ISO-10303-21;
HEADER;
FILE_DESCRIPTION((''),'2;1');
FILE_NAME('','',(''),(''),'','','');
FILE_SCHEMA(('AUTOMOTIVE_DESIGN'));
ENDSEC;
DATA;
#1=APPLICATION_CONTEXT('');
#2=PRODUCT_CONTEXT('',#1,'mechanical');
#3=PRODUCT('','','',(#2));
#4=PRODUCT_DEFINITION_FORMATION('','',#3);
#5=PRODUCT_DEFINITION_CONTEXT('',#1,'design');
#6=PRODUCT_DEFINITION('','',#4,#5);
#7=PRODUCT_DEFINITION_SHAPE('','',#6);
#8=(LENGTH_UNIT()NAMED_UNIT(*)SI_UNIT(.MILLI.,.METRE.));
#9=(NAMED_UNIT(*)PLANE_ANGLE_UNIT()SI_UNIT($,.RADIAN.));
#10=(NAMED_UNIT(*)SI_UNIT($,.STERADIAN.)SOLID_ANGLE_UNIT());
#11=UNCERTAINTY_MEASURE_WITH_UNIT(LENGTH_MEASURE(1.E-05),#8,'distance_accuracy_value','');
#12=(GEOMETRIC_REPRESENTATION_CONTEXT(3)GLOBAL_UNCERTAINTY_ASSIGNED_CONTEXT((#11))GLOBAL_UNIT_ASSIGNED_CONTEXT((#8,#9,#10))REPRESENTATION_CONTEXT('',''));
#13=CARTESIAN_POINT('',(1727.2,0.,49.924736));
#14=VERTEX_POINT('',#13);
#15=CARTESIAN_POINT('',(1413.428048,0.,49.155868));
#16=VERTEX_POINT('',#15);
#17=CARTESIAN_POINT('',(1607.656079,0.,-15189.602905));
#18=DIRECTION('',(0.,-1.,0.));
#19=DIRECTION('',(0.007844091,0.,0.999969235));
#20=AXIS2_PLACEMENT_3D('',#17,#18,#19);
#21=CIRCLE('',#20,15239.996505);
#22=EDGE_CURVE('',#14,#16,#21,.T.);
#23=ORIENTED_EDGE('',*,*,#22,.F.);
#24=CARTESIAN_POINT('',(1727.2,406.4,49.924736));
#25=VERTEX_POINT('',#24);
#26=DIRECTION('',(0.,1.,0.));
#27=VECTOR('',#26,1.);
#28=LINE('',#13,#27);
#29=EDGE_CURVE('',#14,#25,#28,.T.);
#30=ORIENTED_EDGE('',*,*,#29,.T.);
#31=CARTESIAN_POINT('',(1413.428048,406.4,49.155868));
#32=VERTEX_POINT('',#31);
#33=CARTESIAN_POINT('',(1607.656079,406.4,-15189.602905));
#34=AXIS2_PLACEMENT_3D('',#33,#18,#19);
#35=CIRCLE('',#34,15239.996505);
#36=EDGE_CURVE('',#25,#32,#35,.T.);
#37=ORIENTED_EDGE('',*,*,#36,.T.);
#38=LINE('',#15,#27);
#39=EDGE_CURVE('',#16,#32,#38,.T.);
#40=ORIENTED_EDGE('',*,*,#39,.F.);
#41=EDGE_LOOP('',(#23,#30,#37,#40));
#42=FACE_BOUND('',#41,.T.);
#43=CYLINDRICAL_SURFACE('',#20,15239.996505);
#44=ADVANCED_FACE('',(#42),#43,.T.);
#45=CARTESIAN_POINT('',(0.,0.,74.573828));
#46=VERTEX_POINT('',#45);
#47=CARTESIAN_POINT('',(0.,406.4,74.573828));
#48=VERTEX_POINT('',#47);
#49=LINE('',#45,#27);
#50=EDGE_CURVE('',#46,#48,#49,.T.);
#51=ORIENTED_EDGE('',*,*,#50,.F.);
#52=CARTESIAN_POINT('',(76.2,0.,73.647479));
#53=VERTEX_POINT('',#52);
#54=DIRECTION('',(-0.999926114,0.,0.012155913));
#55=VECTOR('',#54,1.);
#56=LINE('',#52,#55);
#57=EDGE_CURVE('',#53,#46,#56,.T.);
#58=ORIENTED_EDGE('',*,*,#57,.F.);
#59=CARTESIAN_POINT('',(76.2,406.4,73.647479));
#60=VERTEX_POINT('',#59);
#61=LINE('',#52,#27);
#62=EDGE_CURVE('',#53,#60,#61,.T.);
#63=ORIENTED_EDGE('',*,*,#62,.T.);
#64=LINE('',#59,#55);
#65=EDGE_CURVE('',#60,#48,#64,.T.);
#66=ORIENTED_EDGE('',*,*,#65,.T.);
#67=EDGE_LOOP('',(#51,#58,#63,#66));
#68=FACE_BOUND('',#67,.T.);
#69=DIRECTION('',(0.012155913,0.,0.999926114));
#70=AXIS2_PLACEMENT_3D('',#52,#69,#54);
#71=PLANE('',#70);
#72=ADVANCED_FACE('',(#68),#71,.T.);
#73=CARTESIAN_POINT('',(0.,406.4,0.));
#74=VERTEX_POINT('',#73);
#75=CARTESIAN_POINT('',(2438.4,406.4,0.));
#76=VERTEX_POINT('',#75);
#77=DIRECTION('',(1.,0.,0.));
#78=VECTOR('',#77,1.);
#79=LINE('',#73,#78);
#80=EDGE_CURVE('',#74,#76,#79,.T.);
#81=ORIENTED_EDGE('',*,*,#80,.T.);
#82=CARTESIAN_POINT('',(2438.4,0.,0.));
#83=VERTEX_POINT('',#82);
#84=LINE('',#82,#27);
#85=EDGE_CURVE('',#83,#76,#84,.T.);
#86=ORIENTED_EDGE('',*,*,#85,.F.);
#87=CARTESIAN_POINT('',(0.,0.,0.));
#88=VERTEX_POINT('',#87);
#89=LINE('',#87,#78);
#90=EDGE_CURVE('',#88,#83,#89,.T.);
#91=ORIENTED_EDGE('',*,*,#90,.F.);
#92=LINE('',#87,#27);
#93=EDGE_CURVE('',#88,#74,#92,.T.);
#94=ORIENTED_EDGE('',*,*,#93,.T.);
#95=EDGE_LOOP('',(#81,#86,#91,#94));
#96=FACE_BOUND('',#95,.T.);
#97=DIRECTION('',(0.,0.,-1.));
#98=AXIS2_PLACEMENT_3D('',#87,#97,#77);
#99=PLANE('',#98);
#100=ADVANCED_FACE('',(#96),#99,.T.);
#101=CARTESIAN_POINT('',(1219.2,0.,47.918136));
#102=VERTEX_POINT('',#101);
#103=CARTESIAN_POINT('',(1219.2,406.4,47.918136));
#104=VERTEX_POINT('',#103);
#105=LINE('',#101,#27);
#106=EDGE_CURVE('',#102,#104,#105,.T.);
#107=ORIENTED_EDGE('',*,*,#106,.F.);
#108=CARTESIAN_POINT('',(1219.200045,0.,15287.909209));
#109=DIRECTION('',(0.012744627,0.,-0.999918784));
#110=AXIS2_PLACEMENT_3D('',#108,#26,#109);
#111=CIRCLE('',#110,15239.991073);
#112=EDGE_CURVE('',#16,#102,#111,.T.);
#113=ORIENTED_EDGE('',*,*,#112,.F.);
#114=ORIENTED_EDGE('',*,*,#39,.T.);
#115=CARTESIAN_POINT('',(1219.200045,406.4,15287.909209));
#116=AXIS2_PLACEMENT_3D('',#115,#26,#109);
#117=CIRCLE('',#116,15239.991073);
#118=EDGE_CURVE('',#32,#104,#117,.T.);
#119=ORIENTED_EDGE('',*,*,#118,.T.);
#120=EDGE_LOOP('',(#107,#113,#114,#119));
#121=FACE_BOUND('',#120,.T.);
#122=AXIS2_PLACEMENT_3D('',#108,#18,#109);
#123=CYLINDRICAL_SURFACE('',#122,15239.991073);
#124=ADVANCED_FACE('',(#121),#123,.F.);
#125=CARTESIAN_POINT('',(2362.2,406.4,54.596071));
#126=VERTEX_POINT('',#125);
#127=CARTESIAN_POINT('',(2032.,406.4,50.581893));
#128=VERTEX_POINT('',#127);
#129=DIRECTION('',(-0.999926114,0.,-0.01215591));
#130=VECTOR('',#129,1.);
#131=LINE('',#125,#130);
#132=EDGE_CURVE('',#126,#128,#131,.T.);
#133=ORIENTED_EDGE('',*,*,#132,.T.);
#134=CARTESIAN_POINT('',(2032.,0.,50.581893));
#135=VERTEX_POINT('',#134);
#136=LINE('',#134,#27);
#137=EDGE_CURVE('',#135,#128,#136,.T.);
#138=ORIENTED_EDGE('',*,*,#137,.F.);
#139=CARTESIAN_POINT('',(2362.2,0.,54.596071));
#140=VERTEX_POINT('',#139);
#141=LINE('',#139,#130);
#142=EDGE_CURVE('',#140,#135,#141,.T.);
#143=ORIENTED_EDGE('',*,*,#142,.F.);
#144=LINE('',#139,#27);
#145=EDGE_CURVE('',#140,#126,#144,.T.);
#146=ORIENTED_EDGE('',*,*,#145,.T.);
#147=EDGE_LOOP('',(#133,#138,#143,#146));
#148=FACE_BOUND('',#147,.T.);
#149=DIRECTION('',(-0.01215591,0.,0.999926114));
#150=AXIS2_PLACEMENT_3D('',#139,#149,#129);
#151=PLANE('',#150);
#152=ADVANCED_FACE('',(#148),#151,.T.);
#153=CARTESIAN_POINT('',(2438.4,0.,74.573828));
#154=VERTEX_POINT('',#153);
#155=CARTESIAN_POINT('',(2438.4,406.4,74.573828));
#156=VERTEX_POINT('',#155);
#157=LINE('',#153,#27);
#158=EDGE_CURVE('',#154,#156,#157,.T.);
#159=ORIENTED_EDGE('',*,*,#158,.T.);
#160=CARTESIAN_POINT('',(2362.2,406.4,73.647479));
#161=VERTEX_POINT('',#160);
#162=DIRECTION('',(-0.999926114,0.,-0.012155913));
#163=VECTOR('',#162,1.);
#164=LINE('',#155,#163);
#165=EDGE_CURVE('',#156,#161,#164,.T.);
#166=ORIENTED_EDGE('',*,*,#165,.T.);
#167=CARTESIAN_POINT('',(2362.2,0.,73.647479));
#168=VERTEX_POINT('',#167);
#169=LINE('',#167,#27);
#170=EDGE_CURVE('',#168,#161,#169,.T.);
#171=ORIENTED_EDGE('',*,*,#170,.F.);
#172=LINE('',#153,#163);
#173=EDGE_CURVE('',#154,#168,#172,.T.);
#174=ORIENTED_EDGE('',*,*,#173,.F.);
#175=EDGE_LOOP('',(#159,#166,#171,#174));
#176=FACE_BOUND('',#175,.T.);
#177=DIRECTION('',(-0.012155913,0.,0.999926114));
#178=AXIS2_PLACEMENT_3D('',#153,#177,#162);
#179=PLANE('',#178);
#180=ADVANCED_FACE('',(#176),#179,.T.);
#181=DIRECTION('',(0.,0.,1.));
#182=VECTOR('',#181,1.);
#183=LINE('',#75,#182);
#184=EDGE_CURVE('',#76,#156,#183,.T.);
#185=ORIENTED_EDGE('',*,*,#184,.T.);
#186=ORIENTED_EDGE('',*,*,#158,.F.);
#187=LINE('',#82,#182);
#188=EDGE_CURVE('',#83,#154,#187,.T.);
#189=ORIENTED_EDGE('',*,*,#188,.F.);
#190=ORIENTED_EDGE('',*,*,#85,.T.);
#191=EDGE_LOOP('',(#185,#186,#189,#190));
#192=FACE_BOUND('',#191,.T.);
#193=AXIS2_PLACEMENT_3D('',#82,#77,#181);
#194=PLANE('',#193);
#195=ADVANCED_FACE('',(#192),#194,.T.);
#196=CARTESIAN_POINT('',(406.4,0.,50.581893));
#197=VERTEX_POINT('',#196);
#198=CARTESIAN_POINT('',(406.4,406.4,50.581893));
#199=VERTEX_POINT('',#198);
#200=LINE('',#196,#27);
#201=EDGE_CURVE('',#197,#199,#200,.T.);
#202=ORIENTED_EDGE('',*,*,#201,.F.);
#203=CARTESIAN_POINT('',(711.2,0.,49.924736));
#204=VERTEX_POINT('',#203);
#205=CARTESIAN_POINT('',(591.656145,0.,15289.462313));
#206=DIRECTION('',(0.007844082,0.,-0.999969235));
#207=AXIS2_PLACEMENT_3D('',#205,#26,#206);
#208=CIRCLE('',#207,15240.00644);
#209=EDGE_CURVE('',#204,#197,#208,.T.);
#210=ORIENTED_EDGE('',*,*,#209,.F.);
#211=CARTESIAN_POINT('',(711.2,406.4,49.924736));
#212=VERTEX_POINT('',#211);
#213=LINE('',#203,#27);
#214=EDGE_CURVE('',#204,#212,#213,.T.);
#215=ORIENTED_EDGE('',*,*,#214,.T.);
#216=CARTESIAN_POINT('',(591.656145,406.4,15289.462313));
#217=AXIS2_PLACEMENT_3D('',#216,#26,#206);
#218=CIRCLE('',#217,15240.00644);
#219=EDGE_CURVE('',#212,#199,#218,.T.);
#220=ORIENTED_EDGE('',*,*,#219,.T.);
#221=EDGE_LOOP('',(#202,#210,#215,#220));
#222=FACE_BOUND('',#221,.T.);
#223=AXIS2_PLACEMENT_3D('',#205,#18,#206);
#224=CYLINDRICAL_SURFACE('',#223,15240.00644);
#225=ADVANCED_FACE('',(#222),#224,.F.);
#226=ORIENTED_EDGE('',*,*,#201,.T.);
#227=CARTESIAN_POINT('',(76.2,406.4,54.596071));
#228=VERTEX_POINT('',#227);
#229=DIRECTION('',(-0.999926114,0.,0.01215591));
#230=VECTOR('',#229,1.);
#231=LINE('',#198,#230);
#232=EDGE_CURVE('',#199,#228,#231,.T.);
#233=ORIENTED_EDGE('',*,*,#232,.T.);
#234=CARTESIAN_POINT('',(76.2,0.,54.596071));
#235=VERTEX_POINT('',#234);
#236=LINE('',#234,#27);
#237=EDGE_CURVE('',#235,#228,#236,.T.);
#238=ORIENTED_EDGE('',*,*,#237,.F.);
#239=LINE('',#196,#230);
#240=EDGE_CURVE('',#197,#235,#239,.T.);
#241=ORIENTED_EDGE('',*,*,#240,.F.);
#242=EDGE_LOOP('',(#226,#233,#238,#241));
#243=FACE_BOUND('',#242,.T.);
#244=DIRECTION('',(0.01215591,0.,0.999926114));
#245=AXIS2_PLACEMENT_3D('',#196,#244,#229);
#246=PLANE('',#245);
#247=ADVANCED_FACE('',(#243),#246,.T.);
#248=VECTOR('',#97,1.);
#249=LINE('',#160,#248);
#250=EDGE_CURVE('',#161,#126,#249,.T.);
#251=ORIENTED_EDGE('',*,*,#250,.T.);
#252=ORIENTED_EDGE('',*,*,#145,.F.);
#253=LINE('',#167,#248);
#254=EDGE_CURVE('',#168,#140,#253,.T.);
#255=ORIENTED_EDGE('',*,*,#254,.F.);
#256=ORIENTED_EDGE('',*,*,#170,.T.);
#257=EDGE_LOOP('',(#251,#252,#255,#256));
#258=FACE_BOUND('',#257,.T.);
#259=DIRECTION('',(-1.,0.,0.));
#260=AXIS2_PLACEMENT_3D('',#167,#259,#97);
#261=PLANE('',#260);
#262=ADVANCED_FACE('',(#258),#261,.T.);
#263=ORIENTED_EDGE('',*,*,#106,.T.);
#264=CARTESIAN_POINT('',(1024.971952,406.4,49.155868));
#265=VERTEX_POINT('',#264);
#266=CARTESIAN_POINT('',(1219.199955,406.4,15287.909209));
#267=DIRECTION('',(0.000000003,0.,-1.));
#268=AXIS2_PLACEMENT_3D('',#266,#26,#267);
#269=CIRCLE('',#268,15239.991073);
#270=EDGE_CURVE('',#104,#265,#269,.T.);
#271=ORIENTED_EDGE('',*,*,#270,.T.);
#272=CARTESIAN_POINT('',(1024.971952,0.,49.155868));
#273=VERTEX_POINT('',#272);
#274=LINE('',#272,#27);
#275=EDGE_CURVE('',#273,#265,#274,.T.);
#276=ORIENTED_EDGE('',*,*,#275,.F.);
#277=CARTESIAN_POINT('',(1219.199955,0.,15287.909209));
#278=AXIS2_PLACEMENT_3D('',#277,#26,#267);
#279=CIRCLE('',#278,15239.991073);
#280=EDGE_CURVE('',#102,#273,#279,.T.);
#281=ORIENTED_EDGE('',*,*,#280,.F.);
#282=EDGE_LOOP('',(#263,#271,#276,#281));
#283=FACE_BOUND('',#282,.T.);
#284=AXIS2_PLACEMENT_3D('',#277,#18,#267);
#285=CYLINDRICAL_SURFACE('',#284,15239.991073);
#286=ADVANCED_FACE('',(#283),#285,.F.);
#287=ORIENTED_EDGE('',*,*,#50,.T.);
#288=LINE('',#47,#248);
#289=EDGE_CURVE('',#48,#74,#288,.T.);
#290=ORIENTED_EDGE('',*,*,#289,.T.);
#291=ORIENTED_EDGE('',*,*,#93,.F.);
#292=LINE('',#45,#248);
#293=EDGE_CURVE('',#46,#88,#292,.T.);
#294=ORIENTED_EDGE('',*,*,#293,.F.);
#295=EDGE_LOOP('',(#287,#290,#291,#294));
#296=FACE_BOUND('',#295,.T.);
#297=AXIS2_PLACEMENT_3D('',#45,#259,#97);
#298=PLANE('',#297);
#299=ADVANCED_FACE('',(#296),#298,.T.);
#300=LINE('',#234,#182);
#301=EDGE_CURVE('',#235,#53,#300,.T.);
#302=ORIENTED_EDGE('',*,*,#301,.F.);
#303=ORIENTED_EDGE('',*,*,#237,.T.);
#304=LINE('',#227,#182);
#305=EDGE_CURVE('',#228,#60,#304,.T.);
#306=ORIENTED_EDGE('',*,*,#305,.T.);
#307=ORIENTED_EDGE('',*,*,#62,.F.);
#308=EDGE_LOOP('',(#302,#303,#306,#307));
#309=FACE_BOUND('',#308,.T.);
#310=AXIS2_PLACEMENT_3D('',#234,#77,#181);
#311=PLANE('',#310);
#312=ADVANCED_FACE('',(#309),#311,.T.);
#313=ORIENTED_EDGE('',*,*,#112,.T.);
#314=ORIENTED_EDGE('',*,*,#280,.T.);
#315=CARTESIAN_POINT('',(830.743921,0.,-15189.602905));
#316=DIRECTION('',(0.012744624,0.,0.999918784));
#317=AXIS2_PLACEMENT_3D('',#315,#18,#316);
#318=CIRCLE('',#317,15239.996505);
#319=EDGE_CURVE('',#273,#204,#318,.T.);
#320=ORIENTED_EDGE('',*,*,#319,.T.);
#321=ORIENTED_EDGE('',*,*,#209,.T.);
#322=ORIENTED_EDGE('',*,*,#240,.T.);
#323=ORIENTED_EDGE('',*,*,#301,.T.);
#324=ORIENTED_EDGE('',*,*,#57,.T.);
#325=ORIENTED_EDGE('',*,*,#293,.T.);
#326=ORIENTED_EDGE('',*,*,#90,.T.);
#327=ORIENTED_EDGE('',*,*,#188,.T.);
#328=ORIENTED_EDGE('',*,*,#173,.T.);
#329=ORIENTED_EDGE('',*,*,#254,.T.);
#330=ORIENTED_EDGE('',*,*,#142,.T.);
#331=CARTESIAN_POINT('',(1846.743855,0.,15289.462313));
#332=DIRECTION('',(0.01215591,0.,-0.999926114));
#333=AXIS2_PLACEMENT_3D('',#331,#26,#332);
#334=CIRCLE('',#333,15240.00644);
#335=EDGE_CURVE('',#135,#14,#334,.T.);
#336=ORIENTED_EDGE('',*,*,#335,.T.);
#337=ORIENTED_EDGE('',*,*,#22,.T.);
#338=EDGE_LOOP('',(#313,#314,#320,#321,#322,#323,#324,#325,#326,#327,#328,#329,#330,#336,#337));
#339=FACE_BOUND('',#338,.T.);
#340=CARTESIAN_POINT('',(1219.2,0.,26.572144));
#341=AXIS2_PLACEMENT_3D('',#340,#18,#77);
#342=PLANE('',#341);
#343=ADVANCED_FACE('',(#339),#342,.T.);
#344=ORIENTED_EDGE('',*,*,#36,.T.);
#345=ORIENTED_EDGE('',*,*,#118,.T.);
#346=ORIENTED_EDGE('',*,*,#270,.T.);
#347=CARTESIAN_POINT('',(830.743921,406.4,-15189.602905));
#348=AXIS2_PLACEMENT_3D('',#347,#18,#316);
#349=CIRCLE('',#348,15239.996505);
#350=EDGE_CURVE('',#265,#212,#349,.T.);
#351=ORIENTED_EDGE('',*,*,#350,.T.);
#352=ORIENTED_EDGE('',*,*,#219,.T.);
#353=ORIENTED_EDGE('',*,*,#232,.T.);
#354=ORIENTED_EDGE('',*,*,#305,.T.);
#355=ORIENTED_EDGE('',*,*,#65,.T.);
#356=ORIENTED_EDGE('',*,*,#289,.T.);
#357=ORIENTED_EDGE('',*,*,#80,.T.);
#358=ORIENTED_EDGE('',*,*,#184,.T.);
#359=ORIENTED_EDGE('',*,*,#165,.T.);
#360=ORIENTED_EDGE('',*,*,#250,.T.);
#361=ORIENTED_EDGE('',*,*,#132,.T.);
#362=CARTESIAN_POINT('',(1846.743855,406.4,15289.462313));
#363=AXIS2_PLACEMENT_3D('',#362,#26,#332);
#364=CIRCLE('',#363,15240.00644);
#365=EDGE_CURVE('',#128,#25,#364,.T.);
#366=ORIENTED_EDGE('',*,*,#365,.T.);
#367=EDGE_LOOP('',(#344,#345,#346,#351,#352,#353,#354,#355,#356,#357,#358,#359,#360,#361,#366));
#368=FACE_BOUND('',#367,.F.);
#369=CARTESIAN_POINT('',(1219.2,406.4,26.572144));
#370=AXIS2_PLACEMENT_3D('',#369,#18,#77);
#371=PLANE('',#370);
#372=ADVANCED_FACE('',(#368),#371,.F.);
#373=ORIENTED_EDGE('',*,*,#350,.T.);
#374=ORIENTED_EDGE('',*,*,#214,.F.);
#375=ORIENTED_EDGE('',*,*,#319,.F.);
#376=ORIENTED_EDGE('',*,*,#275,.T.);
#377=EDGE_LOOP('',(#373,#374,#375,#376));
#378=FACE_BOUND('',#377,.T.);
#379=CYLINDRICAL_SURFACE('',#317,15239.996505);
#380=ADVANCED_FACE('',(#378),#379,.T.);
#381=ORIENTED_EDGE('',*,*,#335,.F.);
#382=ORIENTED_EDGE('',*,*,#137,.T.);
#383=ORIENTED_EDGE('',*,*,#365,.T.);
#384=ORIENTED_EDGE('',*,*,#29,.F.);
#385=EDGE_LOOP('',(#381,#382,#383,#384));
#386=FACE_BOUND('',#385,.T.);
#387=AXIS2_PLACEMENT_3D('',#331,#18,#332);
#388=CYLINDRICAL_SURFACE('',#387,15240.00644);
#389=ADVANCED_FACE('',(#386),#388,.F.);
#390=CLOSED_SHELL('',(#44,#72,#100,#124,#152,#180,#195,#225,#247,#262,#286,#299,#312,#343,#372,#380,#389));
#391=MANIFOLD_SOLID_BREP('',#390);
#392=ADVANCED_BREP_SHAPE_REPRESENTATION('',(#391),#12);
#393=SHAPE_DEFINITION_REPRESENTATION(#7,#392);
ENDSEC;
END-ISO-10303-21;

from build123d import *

# Parameters (mm, degrees)
F1_DEPTH = 406.4


with BuildPart() as f1:
    # F0 (on Front) → F1 (new body)
    with BuildSketch(Plane.XZ):
        with BuildLine():
            Line((0, 55.52242), (0, 0))
            Line((0, 0), (2438.4, 0))
            Line((2438.4, 0), (2438.4, 55.52242))
            Line((2438.4, 55.52242), (2438.4, 74.573828))
            Line((2438.4, 74.573828), (2362.2, 73.647479))
            Line((2362.2, 73.647479), (2362.2, 54.596071))
            Line((2362.2, 54.596071), (2032, 50.581893))
            ThreePointArc((2032, 50.581893), (1879.601643, 49.491294), (1727.2, 49.924736))
            ThreePointArc((1727.2, 49.924736), (1570.312045, 50.347846), (1413.428048, 49.155868))
            ThreePointArc((1413.428048, 49.155868), (1316.315996, 48.227572), (1219.2, 47.918136))
            ThreePointArc((1219.2, 47.918136), (1122.084004, 48.227572), (1024.971952, 49.155868))
            ThreePointArc((1024.971952, 49.155868), (868.087955, 50.347846), (711.2, 49.924736))
            ThreePointArc((711.2, 49.924736), (558.798357, 49.491294), (406.4, 50.581893))
            Line((406.4, 50.581893), (76.2, 54.596071))
            Line((76.2, 54.596071), (76.2, 73.647479))
            Line((76.2, 73.647479), (0, 74.573828))
            Line((0, 74.573828), (0, 55.52242))
        make_face()
    extrude(amount=-F1_DEPTH)


solid = f1.part
